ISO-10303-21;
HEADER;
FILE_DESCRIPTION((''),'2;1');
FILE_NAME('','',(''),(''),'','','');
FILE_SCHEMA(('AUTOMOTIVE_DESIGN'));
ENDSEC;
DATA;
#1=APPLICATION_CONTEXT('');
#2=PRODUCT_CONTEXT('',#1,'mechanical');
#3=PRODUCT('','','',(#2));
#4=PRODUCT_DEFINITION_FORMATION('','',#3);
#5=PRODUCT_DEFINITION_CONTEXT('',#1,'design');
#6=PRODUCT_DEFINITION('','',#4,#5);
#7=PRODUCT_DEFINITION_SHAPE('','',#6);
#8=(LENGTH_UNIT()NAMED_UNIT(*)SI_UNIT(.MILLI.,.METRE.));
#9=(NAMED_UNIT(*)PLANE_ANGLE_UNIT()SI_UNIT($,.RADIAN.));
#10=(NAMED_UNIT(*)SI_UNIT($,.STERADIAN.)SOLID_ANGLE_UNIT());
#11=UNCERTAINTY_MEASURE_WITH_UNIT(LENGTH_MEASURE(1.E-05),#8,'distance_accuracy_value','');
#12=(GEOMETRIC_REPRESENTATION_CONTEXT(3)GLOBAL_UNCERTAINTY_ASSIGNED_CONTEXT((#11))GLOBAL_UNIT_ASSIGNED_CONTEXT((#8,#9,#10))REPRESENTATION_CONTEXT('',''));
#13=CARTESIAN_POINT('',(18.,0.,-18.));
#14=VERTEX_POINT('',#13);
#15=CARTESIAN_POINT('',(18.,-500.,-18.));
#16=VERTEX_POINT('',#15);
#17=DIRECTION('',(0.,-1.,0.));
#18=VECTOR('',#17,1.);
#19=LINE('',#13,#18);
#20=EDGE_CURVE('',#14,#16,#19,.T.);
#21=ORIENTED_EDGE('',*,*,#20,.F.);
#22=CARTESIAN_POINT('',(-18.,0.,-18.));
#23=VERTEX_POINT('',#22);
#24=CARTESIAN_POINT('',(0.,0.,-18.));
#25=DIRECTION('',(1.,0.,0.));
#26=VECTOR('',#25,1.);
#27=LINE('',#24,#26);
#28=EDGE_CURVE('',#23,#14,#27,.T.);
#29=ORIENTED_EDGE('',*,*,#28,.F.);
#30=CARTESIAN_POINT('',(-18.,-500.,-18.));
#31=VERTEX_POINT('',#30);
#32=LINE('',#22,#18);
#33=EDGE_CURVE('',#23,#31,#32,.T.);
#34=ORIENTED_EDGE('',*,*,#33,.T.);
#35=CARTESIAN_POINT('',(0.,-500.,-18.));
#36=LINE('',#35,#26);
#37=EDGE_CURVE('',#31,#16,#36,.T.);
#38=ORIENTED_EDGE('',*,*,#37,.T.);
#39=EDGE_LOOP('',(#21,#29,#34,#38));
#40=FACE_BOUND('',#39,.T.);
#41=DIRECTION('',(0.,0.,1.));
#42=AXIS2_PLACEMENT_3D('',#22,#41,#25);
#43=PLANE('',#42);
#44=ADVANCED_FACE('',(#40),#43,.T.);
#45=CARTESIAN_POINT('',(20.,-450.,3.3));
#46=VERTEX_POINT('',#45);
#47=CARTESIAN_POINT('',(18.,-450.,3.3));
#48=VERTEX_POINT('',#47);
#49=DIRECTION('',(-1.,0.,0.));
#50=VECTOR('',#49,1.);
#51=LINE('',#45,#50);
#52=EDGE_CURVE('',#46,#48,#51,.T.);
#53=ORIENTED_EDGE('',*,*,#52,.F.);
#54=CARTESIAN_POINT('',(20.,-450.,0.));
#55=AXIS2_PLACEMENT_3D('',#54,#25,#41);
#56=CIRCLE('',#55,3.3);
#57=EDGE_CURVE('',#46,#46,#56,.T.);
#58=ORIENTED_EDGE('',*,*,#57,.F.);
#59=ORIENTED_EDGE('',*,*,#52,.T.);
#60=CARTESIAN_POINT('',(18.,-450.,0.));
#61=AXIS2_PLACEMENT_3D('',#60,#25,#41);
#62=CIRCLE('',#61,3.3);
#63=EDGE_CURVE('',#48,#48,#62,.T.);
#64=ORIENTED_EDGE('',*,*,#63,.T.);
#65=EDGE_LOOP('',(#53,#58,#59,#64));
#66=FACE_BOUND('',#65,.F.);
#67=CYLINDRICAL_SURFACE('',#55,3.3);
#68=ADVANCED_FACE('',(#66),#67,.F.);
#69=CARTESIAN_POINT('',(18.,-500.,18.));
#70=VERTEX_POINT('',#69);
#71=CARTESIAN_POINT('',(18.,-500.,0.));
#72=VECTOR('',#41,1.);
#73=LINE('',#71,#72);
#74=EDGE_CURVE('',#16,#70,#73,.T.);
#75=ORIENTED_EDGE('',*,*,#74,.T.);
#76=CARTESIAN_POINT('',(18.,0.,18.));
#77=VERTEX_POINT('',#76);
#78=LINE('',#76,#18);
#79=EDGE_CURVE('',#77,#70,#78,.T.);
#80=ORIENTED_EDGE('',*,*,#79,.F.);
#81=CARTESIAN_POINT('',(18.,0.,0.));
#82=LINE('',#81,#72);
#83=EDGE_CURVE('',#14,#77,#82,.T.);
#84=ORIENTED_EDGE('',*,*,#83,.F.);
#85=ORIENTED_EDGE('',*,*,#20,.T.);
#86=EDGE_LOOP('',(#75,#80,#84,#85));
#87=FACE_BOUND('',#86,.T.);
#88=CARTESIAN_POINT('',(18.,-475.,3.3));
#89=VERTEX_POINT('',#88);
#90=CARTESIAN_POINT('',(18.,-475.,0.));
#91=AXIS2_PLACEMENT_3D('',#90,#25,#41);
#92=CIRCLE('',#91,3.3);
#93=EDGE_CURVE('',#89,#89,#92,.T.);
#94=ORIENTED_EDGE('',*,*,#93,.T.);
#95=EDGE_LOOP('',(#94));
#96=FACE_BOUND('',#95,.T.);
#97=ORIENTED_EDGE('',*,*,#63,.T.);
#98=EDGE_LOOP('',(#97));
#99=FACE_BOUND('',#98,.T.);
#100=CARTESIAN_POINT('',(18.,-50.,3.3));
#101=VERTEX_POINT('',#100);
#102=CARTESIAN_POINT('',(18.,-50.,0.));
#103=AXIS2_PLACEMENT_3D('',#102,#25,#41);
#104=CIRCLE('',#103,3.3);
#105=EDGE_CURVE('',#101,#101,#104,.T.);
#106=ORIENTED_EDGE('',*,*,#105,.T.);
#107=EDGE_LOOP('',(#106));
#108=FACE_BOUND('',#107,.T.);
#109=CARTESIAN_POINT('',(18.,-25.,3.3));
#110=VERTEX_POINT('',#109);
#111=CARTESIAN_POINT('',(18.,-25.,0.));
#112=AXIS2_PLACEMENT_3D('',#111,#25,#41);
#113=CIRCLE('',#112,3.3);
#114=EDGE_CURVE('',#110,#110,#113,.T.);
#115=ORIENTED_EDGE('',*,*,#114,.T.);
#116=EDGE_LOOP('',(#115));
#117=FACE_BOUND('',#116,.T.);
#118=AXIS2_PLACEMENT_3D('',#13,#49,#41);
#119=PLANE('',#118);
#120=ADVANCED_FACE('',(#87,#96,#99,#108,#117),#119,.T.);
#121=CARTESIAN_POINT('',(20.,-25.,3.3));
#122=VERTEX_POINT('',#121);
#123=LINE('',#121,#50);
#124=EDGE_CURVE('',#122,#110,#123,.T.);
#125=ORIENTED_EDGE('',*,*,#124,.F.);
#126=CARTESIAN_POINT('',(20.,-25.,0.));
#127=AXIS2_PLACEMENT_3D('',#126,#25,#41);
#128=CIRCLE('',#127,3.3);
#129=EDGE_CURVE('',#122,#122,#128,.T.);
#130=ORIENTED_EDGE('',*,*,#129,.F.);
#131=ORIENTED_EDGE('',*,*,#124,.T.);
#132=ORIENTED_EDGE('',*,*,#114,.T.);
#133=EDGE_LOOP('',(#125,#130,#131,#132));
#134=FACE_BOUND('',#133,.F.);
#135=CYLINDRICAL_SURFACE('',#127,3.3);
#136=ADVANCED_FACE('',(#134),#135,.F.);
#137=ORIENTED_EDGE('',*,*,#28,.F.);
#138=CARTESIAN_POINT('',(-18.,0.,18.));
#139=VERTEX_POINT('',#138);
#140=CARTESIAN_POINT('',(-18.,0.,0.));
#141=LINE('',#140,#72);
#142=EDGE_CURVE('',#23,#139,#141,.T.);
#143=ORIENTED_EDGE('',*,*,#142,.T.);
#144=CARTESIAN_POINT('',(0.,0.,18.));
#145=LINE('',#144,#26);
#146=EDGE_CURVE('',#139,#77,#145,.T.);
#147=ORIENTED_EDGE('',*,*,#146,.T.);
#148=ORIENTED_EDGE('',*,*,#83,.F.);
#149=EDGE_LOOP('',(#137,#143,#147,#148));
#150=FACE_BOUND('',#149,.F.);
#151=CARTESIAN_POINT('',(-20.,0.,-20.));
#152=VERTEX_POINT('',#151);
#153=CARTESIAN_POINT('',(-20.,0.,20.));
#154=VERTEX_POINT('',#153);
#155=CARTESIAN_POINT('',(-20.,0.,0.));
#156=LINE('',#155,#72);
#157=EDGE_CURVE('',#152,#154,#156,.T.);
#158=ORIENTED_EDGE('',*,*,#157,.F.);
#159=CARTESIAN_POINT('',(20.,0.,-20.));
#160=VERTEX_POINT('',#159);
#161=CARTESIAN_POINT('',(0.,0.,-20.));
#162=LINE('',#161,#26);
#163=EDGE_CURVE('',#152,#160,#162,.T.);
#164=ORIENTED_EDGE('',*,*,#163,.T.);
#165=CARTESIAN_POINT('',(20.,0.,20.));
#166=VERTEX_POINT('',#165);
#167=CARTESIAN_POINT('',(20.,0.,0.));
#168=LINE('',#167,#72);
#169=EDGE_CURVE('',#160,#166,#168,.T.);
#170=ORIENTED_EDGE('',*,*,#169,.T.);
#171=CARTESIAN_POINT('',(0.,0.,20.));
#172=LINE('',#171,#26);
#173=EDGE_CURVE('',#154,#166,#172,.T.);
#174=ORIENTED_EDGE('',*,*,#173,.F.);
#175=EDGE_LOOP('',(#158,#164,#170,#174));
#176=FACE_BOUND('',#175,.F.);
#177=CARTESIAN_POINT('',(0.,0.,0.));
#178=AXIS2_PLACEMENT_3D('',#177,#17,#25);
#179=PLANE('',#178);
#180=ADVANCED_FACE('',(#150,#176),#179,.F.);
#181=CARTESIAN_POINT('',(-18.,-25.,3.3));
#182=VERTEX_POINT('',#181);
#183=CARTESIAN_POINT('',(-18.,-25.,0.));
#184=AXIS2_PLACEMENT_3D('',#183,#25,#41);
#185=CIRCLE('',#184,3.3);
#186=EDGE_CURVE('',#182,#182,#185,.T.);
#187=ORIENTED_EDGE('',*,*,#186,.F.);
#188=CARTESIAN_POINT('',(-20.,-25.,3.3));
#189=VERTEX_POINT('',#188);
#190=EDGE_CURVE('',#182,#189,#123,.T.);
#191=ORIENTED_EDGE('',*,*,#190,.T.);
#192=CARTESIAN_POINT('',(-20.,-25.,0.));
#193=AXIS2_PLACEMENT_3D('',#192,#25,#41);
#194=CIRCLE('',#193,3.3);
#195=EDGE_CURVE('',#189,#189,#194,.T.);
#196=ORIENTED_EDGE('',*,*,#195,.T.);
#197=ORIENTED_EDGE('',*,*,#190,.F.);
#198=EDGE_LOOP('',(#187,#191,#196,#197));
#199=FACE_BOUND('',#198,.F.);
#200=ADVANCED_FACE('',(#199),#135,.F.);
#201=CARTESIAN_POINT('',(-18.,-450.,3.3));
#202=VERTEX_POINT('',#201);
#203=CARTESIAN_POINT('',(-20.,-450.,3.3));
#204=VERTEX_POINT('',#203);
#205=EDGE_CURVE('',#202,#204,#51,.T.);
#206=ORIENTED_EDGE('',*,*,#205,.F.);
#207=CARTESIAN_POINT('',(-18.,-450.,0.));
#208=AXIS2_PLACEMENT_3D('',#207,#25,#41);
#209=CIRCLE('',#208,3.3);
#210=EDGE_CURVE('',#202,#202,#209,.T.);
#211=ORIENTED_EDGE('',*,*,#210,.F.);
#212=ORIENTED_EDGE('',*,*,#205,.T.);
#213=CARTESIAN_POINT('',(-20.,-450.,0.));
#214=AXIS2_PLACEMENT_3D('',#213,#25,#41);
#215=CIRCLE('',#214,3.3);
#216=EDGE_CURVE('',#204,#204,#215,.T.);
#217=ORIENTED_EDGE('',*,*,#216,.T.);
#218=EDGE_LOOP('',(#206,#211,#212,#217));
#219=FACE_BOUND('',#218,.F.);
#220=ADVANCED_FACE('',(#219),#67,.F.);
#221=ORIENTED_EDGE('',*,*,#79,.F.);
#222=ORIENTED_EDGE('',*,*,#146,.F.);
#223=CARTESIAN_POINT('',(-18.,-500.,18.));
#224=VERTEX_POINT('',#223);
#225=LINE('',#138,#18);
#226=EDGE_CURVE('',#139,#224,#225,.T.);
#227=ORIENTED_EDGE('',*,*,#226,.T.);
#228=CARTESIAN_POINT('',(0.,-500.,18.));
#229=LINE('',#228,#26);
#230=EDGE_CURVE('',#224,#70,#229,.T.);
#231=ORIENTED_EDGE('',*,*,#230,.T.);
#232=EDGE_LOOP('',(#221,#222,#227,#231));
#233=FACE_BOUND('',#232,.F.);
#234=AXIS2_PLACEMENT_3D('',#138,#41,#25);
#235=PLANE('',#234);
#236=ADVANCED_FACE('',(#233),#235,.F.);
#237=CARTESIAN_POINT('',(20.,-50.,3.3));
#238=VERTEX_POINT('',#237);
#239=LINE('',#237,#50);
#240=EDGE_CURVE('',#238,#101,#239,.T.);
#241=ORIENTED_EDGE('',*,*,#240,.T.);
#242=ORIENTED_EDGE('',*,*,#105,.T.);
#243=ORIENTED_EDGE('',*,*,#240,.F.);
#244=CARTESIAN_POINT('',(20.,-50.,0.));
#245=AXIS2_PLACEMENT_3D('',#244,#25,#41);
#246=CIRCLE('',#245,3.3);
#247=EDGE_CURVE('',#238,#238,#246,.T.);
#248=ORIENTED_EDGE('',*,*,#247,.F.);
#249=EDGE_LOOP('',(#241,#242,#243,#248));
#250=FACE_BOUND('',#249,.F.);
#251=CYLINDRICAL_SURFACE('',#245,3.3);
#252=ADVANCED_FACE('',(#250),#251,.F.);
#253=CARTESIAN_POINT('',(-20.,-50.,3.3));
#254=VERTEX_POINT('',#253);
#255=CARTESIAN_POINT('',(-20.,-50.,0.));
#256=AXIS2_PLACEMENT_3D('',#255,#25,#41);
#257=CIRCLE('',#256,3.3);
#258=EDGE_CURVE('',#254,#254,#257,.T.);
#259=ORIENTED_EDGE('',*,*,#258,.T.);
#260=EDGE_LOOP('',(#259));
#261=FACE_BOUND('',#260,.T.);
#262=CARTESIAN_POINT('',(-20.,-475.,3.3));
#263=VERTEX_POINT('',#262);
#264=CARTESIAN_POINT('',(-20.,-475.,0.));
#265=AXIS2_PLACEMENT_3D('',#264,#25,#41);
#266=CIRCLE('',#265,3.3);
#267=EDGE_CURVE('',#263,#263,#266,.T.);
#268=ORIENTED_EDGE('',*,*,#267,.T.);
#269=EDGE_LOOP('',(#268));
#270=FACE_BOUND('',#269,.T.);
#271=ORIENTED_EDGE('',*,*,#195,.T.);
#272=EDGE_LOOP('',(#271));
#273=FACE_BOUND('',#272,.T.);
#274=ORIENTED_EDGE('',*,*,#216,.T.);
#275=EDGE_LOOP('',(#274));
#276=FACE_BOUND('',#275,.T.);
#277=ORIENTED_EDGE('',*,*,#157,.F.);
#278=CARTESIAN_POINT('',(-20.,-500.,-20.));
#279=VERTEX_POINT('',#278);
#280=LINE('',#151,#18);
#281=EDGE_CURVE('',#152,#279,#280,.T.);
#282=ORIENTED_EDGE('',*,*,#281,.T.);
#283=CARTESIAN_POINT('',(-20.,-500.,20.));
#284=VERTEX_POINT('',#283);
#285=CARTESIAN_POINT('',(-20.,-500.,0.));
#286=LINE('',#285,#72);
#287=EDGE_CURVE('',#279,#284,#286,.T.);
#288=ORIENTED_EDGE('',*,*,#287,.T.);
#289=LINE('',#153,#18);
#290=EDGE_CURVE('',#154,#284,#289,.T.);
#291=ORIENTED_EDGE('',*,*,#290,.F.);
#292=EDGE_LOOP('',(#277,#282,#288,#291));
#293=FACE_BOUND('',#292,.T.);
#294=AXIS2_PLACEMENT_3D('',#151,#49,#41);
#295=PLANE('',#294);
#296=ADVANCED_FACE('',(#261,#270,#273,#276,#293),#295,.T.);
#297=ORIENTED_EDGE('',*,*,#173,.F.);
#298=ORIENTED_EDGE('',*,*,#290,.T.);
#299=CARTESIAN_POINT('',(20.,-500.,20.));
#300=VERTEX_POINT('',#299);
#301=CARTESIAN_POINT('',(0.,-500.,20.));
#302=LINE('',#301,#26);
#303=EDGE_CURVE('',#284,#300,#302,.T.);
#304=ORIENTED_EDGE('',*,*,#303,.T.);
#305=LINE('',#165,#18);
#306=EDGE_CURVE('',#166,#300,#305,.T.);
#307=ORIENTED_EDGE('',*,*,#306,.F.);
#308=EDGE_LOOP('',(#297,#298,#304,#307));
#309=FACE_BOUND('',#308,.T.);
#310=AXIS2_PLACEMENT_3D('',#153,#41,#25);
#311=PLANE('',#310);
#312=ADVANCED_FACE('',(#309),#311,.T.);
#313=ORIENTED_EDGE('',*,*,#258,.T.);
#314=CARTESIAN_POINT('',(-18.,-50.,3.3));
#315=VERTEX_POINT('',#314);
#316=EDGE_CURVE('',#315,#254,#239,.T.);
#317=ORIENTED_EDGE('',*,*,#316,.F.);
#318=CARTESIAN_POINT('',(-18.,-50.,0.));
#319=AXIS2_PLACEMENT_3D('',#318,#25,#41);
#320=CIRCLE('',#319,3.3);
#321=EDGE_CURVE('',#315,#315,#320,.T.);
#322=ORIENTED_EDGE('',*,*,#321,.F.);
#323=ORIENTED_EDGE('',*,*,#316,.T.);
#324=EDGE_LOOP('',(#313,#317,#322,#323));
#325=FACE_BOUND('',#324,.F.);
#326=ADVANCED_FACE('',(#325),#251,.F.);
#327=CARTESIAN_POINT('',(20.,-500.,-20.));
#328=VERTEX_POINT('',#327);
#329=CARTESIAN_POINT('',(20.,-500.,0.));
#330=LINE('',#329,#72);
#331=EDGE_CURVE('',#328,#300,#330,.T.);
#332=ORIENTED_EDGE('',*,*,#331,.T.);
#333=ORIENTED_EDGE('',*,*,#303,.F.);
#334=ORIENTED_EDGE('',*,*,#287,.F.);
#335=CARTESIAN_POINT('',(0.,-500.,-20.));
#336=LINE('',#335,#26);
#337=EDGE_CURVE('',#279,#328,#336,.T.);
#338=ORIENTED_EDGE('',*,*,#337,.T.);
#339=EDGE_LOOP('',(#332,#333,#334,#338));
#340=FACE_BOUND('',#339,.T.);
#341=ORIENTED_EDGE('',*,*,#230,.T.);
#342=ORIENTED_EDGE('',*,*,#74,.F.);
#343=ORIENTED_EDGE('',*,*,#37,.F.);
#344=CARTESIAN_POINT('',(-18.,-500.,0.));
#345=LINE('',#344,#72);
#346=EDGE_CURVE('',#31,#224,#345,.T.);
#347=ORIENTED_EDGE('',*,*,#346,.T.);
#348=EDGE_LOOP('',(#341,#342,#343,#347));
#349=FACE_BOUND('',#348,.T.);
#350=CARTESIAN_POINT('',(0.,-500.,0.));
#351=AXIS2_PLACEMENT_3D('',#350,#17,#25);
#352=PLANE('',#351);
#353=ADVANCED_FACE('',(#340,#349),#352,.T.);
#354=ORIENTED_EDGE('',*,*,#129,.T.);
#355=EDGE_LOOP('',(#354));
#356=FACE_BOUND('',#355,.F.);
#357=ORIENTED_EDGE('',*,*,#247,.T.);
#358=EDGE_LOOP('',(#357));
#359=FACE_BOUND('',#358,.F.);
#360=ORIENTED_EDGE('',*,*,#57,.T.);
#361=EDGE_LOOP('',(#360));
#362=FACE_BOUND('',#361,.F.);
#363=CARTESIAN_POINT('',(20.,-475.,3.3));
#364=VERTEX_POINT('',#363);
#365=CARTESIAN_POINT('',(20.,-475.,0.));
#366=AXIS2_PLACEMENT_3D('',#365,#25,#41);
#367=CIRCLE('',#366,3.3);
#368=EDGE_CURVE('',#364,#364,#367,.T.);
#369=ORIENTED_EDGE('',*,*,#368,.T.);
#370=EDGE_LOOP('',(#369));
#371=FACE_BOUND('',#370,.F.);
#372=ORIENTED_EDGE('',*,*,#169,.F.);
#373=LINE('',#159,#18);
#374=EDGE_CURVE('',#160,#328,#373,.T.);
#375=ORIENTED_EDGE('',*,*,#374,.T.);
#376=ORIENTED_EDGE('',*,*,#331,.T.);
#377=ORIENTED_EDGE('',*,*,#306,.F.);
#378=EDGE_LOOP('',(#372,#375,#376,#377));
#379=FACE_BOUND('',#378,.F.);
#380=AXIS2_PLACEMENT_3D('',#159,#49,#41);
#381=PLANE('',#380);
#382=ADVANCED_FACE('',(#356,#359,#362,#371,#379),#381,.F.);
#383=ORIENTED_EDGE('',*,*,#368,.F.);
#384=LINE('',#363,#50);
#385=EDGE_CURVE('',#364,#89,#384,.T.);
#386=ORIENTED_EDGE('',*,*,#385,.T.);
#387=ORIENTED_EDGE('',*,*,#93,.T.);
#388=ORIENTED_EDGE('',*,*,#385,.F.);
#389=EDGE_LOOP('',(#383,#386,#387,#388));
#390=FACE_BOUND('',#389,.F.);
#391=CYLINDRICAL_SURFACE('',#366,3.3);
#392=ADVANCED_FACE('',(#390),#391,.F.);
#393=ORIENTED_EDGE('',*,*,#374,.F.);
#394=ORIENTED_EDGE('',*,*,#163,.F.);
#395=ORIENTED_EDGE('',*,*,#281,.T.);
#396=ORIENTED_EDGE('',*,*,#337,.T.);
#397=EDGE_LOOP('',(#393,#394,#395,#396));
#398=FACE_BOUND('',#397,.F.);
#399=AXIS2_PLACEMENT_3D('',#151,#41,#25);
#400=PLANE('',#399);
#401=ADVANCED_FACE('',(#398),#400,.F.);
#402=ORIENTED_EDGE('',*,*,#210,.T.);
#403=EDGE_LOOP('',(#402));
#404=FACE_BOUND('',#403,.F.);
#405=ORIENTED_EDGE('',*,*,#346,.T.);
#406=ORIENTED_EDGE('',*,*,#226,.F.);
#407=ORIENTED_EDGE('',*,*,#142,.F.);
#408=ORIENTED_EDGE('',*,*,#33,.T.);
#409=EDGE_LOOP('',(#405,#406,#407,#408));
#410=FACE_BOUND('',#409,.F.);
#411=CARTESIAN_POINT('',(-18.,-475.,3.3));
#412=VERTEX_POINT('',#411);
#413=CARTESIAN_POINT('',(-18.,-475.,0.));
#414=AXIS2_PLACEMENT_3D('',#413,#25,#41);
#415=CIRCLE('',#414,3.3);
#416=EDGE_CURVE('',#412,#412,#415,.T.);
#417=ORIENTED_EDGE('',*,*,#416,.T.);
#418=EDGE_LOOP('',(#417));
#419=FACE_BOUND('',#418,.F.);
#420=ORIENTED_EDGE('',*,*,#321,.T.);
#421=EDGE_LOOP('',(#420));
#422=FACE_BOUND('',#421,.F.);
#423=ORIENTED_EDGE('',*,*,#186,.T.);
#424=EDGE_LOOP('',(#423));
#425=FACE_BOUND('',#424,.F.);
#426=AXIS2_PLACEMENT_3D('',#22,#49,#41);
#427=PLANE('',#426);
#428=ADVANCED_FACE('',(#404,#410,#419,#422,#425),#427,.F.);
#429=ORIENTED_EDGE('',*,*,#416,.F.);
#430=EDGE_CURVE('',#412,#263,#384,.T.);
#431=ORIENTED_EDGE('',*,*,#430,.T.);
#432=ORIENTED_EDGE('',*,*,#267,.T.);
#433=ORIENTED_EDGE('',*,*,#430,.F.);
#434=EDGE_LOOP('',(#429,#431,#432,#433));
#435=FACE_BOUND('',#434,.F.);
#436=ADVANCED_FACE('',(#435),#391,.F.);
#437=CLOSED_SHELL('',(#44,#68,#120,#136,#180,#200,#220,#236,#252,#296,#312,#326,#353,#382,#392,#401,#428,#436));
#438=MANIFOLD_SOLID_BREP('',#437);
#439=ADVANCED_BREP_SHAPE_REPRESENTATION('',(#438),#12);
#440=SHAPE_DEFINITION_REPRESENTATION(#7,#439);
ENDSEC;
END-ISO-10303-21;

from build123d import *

# Parameters (mm, degrees)
SKETCH_W    = 40
SKETCH_H    = 40
SKETCH_W_2  = 36
SKETCH_H_2  = 36
PAD_DEPTH   = 500
SKETCH001_R = 3.3
HOLE_DEPTH  = 40.001


with BuildPart() as part:
    # Sketch → Pad (new body)
    with BuildSketch(Plane.XZ):
        Rectangle(SKETCH_W, SKETCH_H)
        Rectangle(SKETCH_W_2, SKETCH_H_2, mode=Mode.SUBTRACT)
    extrude(amount=PAD_DEPTH)

    # Sketch001 → Hole (cut, through all)
    with BuildSketch(Plane(origin=(20, 0, 0), x_dir=(0, 0, 1), z_dir=(1, 0, 0))):
        with Locations((0, 25)):
            Circle(SKETCH001_R)
        with Locations((0, 50)):
            Circle(SKETCH001_R)
        with Locations((0, 475)):
            Circle(SKETCH001_R)
        with Locations((0, 450)):
            Circle(SKETCH001_R)
    extrude(amount=-HOLE_DEPTH, mode=Mode.SUBTRACT)


solid = part.part
